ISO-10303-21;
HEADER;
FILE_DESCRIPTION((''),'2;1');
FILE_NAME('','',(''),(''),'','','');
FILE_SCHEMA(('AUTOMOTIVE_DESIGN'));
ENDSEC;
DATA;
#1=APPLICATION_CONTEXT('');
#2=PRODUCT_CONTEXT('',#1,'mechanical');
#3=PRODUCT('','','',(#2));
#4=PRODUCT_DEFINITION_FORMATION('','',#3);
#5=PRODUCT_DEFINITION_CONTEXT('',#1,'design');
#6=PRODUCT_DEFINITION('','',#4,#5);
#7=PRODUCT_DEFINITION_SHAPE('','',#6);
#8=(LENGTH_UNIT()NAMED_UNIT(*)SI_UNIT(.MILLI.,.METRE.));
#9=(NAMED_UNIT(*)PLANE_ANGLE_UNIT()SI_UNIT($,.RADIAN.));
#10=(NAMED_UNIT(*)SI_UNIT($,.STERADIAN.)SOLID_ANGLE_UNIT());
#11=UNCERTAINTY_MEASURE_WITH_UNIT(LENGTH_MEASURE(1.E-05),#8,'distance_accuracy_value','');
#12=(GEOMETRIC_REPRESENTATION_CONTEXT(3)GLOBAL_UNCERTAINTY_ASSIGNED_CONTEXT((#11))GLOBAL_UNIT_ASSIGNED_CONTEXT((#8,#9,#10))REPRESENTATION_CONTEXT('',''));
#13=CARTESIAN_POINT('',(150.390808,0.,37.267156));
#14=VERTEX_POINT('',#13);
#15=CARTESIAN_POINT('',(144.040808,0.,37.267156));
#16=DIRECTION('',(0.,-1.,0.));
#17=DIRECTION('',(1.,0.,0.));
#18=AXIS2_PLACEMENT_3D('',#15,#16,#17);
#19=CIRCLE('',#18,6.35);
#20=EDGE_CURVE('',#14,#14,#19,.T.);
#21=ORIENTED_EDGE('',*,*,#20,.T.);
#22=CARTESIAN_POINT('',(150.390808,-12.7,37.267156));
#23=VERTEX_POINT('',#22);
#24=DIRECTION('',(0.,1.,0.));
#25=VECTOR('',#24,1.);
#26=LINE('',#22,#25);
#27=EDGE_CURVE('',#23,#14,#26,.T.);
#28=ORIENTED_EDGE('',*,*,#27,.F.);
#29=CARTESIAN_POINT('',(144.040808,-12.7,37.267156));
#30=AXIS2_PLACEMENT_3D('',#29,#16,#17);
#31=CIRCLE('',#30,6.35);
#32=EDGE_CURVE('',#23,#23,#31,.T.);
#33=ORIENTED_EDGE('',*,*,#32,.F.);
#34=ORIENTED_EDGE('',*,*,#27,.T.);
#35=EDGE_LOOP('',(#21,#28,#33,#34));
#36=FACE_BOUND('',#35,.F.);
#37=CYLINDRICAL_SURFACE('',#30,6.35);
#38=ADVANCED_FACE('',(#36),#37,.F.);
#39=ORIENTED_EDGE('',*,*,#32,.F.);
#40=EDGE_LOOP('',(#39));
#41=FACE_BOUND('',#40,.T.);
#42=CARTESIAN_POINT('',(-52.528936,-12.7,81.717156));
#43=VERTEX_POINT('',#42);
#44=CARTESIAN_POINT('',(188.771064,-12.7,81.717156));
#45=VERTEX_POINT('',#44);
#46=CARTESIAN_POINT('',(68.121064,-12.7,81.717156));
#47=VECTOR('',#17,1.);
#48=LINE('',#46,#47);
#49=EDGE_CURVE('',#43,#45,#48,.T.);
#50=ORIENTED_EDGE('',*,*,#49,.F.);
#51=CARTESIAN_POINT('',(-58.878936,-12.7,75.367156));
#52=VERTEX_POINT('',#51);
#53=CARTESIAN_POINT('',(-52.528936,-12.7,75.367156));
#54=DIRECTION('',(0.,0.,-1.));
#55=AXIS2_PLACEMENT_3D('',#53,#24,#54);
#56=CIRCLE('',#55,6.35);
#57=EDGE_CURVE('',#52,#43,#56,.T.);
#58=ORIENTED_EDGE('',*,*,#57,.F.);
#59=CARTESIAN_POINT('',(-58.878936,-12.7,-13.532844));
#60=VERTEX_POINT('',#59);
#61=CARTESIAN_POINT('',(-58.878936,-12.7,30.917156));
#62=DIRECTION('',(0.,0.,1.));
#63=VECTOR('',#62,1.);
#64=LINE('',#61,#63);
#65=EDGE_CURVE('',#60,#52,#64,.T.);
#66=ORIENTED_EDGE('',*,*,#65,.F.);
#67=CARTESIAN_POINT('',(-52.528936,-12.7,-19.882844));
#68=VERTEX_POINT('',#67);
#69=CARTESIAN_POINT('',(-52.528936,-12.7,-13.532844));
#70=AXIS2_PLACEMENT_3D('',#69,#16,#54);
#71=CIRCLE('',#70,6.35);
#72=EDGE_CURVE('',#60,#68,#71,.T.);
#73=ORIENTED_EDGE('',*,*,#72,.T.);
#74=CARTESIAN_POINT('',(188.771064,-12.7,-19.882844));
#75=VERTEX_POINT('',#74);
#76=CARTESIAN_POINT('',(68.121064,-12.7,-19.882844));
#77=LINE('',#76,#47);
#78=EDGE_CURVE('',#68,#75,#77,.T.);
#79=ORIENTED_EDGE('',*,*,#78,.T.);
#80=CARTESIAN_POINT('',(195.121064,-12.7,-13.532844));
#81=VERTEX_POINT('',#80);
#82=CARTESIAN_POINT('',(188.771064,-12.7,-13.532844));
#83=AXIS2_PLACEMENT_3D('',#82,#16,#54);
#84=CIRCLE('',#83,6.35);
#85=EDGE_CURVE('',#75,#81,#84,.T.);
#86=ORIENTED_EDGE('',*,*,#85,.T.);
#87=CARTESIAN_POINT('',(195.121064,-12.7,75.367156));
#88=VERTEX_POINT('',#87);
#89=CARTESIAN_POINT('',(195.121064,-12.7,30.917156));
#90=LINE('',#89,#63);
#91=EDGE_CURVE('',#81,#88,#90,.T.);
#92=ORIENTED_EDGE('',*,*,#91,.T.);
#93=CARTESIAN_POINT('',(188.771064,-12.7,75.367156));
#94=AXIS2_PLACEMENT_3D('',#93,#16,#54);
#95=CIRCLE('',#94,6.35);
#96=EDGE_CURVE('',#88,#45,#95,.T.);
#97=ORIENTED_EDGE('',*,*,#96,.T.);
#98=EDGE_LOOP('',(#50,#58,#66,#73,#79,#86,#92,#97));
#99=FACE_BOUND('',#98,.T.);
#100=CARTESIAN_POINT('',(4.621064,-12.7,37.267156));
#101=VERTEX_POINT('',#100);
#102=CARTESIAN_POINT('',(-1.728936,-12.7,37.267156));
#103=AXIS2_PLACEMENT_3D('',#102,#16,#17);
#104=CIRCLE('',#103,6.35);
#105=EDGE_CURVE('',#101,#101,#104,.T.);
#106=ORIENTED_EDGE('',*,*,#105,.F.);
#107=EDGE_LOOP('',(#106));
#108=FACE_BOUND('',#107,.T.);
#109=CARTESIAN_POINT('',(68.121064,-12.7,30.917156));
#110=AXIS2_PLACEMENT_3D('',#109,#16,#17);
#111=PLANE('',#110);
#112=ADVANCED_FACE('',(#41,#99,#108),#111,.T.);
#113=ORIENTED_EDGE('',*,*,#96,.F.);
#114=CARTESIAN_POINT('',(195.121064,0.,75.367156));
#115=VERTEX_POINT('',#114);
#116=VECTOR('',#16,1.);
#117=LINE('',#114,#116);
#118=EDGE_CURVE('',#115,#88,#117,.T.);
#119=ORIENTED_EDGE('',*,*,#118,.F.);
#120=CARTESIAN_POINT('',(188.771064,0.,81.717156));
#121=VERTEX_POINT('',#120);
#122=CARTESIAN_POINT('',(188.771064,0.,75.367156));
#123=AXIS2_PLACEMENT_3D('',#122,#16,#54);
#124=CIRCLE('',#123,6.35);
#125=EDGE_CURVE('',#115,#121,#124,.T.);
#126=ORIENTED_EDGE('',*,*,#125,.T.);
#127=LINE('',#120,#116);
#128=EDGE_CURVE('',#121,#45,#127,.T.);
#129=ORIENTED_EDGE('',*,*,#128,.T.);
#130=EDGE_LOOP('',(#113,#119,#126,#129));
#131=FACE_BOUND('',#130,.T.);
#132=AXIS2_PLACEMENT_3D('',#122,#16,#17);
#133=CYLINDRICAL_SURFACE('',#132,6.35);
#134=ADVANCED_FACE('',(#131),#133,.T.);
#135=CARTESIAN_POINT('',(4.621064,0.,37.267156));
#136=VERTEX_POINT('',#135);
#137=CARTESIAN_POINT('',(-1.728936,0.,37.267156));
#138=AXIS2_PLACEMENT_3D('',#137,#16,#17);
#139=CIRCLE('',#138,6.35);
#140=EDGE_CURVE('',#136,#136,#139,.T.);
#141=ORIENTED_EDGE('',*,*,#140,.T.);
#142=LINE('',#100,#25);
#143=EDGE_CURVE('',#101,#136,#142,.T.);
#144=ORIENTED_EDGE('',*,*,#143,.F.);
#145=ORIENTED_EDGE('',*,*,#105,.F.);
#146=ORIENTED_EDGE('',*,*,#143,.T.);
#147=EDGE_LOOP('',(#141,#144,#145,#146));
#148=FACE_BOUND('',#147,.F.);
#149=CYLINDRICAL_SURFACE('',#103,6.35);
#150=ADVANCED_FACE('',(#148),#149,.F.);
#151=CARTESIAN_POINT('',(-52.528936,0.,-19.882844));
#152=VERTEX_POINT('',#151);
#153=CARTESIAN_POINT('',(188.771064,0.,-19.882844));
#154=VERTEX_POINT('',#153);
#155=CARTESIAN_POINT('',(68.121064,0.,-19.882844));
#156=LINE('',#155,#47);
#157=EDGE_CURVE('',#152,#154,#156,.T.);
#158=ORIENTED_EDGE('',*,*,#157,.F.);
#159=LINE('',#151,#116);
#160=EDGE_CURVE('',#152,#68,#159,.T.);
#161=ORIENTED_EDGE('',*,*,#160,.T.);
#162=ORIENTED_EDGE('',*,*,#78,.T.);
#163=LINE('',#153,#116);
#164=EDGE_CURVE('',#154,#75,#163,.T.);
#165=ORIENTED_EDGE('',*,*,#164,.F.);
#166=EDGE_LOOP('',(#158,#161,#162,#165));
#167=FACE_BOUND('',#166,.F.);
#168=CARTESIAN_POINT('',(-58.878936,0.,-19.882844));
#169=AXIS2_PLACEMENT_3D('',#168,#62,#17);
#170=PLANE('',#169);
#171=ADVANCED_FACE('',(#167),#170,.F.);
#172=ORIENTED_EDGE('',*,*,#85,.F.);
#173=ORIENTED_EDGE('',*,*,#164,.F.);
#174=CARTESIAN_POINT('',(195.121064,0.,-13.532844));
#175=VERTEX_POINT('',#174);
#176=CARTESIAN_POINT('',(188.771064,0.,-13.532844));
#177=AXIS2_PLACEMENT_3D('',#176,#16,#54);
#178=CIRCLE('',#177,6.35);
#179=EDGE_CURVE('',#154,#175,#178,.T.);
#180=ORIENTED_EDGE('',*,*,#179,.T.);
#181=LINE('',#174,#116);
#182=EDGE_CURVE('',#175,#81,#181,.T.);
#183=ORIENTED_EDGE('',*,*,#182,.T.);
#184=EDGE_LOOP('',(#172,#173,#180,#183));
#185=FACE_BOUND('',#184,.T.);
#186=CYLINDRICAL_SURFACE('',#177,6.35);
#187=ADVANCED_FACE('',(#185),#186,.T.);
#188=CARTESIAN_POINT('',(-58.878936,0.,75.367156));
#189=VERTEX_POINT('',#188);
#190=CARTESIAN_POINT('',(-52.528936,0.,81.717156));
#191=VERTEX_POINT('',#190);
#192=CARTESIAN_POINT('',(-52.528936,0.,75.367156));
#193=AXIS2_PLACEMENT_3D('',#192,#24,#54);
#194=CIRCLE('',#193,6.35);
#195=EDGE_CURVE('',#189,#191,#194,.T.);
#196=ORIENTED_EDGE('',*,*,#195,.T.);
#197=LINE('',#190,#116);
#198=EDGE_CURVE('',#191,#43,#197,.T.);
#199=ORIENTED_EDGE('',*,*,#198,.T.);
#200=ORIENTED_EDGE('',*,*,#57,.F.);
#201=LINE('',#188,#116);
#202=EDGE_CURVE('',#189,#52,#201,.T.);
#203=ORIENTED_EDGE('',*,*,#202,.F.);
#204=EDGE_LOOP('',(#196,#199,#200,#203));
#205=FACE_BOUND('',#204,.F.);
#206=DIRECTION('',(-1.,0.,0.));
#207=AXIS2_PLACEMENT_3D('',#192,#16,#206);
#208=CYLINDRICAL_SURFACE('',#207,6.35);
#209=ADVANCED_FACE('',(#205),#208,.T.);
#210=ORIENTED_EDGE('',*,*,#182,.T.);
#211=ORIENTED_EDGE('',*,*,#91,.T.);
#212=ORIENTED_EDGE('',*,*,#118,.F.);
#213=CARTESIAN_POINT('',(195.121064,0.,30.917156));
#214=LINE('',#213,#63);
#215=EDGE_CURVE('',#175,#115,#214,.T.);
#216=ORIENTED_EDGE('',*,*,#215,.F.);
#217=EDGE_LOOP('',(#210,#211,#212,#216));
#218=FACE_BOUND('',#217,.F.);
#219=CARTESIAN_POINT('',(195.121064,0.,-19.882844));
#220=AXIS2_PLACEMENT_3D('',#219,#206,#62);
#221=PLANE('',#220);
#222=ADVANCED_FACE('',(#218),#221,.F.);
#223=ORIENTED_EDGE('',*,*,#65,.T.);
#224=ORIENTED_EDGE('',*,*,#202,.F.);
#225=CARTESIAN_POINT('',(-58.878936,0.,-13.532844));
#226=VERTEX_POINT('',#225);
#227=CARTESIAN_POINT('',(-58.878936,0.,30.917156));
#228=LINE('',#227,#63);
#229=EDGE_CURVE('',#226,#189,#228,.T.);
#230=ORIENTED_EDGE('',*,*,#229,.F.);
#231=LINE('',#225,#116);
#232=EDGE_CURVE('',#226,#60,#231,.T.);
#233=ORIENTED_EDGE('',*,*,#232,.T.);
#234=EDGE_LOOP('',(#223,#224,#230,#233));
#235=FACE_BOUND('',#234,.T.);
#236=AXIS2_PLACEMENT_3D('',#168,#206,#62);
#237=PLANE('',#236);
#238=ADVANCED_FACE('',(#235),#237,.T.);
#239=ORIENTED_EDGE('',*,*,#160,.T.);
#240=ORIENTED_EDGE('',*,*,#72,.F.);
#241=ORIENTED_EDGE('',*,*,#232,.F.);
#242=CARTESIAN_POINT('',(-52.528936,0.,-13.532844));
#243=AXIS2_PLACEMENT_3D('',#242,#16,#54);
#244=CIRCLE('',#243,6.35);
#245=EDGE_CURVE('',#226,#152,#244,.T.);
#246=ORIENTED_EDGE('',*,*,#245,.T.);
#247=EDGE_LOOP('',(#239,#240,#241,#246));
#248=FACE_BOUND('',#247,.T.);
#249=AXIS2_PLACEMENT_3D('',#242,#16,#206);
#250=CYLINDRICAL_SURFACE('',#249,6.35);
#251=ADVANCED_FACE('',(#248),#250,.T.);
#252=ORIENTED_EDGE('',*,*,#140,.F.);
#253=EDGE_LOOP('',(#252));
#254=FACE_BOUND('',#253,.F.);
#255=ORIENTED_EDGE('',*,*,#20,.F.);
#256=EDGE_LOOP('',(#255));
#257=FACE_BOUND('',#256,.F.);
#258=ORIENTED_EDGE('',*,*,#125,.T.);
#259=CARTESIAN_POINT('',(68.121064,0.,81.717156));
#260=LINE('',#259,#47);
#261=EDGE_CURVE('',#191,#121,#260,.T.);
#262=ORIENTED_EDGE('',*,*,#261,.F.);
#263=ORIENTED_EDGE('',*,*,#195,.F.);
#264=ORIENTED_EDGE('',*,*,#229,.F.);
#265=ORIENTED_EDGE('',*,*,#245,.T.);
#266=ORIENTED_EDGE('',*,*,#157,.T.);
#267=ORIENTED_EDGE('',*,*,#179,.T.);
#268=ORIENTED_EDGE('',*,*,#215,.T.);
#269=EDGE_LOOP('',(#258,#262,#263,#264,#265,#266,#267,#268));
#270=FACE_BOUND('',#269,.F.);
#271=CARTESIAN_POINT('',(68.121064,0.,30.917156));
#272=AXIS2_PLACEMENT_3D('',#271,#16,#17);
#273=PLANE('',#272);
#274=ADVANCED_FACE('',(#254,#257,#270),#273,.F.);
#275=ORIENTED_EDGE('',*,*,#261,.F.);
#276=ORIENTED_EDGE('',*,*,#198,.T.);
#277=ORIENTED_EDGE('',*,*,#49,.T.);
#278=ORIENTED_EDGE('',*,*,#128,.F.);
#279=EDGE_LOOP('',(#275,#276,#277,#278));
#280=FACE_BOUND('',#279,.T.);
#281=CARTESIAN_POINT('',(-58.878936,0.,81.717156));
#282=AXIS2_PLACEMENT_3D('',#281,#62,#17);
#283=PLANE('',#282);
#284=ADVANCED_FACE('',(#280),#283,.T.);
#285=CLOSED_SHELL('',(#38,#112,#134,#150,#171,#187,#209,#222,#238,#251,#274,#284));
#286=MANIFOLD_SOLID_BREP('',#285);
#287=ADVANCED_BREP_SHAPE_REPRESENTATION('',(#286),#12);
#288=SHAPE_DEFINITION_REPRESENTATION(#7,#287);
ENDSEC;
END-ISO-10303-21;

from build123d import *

# Parameters (mm, degrees)
F0_W     = 254
F0_H     = 101.6
F1_DEPTH = 12.7
F2_R     = 6.35
F3_R     = 6.35
F4_DEPTH = 203.2


with BuildPart() as f1:
    # F0 (on Front) → F1 (new body)
    with BuildSketch(Plane.XZ):
        with Locations((68.121064, 30.917156)):
            Rectangle(F0_W, F0_H)
    extrude(amount=F1_DEPTH)

    # F2
    f2_edges = [f1.edges().sort_by_distance(p)[0] for p in [
        (195.121064, -6.35, 81.717156),
        (-58.878936, -6.35, 81.717156),
        (195.121064, -6.35, -19.882844),
        (-58.878936, -6.35, -19.882844),
    ]]
    fillet(f2_edges, radius=F2_R)

    # F3 (on face) → F4 (cut)
    with BuildSketch(Plane.XZ.offset(12.7)):
        with Locations((-1.728936, 37.267156)):
            Circle(F3_R)
        with Locations((144.040808, 37.267156)):
            Circle(F3_R)
    extrude(amount=-F4_DEPTH, mode=Mode.SUBTRACT)


solid = f1.part
